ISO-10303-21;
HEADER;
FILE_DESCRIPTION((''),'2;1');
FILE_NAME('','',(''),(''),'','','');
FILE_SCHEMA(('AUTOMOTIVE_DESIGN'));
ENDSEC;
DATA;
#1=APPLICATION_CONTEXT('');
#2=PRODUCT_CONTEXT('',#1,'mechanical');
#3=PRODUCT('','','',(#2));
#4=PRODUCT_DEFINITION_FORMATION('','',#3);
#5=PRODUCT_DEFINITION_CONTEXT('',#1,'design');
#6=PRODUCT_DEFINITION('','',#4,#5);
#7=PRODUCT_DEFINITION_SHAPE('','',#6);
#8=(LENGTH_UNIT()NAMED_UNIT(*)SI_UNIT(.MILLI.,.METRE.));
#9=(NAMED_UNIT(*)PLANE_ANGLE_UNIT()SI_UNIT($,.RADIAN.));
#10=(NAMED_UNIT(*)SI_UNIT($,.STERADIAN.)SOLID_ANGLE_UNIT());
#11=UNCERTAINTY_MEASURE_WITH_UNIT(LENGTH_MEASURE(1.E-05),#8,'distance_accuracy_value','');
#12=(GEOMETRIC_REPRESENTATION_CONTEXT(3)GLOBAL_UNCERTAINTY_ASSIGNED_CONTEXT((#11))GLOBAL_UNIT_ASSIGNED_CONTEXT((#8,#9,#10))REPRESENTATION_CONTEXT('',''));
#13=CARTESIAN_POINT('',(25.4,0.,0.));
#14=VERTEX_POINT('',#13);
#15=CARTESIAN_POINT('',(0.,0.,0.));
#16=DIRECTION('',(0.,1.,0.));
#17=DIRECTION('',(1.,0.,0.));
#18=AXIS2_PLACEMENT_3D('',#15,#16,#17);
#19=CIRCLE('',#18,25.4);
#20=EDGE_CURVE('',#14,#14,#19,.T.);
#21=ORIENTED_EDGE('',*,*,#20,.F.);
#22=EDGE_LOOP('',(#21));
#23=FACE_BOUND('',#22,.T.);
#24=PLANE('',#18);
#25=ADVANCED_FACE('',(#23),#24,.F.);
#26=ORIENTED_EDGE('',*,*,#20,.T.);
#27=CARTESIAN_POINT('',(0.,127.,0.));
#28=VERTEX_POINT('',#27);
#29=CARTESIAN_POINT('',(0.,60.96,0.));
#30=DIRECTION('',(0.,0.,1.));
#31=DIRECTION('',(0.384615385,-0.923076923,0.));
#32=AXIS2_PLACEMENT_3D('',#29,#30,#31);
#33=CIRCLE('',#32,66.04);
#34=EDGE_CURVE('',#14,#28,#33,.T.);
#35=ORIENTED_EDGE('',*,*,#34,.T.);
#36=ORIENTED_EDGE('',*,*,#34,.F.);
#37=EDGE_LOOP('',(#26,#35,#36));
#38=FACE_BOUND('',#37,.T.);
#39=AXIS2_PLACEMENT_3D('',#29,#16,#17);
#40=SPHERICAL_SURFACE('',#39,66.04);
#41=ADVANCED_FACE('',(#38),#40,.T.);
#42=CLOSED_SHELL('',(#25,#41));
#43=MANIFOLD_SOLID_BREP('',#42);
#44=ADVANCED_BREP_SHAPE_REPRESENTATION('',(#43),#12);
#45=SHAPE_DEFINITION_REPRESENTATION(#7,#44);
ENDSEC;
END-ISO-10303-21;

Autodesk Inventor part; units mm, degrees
ref_plane "YZ Plane" through (0, 0, 0) normal (1, 0, 0) x (0, 1, 0)
ref_plane "XZ Plane" through (0, 0, 0) normal (0, 1, 0) x (-1, 0, 0)
ref_plane "XY Plane" through (0, 0, 0) normal (0, 0, 1) x (1, 0, 0)
sketch "Sketch1" plane through (0, 0, 0) normal (0, 0, 1) x (1, 0, 0)
  line L0 (0, 0) -> (50.8, 0)
  line L1 (0, 0) -> (0, 127)
  arc A0 (25.4, 0) -> (0, 127) centre (0, 60.96) ccw
  dimension "d1" = 127
  dimension "d2" = 66.04
revolve "Revolution1" add sketch "Sketch1" angle 360 about axis through (0, 0, 0) along (0, 1, 0)
properties part number "Sphere"
